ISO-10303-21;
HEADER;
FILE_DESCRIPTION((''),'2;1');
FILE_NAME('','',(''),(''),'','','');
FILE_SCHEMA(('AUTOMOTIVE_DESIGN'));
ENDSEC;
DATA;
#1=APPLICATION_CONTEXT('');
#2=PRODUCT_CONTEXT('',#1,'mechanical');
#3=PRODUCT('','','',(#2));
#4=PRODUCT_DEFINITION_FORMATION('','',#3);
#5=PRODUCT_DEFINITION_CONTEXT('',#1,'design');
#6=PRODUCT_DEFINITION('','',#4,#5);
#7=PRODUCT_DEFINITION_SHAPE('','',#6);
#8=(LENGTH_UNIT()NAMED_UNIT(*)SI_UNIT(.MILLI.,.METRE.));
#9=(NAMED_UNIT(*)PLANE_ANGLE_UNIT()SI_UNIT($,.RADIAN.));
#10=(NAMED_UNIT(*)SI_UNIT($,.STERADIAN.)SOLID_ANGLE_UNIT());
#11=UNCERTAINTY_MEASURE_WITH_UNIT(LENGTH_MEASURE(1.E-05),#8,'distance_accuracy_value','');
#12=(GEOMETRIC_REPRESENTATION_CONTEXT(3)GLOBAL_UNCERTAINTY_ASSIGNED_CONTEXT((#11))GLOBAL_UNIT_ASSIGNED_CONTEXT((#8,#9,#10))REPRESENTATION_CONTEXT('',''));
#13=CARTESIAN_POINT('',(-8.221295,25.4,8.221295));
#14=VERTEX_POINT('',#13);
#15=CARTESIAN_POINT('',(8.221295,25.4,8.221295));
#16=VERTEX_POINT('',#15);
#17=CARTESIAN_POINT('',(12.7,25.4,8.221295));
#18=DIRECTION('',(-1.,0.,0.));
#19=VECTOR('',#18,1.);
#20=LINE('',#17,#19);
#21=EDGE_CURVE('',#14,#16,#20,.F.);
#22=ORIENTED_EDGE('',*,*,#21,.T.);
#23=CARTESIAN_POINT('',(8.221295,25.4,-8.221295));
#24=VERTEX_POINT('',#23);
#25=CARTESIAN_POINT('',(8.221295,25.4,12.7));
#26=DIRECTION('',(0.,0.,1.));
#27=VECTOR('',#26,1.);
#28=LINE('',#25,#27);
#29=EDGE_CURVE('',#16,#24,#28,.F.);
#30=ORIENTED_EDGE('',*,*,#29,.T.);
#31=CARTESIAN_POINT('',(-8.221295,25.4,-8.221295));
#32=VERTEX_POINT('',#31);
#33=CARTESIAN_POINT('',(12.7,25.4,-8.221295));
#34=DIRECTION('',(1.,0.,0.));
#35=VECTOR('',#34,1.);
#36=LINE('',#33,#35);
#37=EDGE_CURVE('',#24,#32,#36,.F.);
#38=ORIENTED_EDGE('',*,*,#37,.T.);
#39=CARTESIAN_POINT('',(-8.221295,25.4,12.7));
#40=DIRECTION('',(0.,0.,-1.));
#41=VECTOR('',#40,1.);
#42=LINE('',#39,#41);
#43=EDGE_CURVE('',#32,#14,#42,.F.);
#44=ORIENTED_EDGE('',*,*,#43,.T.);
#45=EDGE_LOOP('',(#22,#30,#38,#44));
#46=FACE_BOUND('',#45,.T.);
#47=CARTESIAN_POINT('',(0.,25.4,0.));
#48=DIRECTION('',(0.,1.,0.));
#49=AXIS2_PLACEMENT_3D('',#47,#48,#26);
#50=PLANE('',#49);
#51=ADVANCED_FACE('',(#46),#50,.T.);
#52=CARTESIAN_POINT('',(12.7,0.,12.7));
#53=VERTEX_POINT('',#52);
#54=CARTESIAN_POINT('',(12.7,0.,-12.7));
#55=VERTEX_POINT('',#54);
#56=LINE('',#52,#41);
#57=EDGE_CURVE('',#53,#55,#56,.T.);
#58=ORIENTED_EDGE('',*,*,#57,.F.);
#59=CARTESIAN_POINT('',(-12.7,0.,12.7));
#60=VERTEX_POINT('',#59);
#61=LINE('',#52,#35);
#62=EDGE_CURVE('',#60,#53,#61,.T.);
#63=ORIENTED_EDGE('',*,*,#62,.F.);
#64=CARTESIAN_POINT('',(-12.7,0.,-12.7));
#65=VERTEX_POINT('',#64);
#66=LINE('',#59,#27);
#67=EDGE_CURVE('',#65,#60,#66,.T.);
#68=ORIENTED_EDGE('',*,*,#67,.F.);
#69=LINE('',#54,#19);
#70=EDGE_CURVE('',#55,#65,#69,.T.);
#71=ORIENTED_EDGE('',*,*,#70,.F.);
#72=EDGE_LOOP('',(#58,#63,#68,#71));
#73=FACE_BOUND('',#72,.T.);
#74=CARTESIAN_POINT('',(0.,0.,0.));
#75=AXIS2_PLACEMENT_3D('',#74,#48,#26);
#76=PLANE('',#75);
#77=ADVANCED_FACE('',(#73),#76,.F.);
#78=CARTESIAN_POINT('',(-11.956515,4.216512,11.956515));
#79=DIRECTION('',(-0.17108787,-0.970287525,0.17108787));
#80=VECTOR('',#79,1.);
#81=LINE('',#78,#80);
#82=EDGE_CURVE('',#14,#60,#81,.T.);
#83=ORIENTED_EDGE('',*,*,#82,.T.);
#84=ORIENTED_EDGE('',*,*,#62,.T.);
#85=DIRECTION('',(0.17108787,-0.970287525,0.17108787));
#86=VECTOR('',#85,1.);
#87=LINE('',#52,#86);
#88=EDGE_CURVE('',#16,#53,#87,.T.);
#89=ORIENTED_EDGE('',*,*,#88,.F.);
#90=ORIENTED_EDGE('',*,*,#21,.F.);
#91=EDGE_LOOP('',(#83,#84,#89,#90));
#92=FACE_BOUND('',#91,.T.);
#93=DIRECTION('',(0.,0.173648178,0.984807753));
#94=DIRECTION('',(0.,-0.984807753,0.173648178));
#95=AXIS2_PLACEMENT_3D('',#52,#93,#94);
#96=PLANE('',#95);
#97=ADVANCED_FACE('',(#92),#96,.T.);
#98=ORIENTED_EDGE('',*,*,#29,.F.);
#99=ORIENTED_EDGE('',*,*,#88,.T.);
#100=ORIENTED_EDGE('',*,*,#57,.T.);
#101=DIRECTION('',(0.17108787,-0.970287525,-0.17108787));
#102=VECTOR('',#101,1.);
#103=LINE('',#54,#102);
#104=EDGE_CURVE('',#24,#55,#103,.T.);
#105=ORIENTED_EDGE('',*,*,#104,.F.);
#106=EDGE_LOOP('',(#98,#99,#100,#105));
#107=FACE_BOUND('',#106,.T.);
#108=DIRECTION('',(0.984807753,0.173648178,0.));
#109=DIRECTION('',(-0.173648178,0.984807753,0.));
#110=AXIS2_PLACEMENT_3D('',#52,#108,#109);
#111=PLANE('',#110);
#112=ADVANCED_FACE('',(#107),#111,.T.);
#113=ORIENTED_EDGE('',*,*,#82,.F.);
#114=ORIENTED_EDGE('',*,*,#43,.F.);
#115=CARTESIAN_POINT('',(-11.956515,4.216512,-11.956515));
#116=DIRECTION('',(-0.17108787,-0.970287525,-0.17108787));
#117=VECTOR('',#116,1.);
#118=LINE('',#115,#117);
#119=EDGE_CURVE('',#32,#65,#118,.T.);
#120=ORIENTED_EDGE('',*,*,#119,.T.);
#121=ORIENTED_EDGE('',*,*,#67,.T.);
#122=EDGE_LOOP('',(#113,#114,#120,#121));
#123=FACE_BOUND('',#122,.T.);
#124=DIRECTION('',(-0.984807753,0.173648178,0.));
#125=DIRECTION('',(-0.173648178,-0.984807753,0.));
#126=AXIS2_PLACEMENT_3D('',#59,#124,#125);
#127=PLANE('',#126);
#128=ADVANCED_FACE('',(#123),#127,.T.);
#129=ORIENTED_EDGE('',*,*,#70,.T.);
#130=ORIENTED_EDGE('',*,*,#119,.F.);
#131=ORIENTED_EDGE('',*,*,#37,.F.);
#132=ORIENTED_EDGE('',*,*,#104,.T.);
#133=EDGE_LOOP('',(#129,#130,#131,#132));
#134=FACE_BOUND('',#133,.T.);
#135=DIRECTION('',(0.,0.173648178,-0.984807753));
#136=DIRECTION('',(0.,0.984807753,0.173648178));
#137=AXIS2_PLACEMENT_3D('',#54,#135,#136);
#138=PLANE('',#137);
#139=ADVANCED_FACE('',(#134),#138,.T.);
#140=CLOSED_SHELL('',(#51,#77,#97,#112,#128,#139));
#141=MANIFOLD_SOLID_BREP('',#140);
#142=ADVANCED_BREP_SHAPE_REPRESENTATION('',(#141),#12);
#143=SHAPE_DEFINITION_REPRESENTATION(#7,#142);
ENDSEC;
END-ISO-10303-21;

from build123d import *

# Parameters (mm, degrees)
SKETCH1_W           = 25.4
SKETCH1_H           = 25.4
BOSS_EXTRUDE1_DEPTH = 25.4
BOSS_EXTRUDE1_TAPER = 10


with BuildPart() as part:
    # Sketch1 → Boss-Extrude1 (new body)
    with BuildSketch(Plane(origin=(0, 0, 0), x_dir=(1, 0, 0), z_dir=(0, 1, 0))):
        Rectangle(SKETCH1_W, SKETCH1_H)
    extrude(amount=BOSS_EXTRUDE1_DEPTH, taper=BOSS_EXTRUDE1_TAPER)


solid = part.part
